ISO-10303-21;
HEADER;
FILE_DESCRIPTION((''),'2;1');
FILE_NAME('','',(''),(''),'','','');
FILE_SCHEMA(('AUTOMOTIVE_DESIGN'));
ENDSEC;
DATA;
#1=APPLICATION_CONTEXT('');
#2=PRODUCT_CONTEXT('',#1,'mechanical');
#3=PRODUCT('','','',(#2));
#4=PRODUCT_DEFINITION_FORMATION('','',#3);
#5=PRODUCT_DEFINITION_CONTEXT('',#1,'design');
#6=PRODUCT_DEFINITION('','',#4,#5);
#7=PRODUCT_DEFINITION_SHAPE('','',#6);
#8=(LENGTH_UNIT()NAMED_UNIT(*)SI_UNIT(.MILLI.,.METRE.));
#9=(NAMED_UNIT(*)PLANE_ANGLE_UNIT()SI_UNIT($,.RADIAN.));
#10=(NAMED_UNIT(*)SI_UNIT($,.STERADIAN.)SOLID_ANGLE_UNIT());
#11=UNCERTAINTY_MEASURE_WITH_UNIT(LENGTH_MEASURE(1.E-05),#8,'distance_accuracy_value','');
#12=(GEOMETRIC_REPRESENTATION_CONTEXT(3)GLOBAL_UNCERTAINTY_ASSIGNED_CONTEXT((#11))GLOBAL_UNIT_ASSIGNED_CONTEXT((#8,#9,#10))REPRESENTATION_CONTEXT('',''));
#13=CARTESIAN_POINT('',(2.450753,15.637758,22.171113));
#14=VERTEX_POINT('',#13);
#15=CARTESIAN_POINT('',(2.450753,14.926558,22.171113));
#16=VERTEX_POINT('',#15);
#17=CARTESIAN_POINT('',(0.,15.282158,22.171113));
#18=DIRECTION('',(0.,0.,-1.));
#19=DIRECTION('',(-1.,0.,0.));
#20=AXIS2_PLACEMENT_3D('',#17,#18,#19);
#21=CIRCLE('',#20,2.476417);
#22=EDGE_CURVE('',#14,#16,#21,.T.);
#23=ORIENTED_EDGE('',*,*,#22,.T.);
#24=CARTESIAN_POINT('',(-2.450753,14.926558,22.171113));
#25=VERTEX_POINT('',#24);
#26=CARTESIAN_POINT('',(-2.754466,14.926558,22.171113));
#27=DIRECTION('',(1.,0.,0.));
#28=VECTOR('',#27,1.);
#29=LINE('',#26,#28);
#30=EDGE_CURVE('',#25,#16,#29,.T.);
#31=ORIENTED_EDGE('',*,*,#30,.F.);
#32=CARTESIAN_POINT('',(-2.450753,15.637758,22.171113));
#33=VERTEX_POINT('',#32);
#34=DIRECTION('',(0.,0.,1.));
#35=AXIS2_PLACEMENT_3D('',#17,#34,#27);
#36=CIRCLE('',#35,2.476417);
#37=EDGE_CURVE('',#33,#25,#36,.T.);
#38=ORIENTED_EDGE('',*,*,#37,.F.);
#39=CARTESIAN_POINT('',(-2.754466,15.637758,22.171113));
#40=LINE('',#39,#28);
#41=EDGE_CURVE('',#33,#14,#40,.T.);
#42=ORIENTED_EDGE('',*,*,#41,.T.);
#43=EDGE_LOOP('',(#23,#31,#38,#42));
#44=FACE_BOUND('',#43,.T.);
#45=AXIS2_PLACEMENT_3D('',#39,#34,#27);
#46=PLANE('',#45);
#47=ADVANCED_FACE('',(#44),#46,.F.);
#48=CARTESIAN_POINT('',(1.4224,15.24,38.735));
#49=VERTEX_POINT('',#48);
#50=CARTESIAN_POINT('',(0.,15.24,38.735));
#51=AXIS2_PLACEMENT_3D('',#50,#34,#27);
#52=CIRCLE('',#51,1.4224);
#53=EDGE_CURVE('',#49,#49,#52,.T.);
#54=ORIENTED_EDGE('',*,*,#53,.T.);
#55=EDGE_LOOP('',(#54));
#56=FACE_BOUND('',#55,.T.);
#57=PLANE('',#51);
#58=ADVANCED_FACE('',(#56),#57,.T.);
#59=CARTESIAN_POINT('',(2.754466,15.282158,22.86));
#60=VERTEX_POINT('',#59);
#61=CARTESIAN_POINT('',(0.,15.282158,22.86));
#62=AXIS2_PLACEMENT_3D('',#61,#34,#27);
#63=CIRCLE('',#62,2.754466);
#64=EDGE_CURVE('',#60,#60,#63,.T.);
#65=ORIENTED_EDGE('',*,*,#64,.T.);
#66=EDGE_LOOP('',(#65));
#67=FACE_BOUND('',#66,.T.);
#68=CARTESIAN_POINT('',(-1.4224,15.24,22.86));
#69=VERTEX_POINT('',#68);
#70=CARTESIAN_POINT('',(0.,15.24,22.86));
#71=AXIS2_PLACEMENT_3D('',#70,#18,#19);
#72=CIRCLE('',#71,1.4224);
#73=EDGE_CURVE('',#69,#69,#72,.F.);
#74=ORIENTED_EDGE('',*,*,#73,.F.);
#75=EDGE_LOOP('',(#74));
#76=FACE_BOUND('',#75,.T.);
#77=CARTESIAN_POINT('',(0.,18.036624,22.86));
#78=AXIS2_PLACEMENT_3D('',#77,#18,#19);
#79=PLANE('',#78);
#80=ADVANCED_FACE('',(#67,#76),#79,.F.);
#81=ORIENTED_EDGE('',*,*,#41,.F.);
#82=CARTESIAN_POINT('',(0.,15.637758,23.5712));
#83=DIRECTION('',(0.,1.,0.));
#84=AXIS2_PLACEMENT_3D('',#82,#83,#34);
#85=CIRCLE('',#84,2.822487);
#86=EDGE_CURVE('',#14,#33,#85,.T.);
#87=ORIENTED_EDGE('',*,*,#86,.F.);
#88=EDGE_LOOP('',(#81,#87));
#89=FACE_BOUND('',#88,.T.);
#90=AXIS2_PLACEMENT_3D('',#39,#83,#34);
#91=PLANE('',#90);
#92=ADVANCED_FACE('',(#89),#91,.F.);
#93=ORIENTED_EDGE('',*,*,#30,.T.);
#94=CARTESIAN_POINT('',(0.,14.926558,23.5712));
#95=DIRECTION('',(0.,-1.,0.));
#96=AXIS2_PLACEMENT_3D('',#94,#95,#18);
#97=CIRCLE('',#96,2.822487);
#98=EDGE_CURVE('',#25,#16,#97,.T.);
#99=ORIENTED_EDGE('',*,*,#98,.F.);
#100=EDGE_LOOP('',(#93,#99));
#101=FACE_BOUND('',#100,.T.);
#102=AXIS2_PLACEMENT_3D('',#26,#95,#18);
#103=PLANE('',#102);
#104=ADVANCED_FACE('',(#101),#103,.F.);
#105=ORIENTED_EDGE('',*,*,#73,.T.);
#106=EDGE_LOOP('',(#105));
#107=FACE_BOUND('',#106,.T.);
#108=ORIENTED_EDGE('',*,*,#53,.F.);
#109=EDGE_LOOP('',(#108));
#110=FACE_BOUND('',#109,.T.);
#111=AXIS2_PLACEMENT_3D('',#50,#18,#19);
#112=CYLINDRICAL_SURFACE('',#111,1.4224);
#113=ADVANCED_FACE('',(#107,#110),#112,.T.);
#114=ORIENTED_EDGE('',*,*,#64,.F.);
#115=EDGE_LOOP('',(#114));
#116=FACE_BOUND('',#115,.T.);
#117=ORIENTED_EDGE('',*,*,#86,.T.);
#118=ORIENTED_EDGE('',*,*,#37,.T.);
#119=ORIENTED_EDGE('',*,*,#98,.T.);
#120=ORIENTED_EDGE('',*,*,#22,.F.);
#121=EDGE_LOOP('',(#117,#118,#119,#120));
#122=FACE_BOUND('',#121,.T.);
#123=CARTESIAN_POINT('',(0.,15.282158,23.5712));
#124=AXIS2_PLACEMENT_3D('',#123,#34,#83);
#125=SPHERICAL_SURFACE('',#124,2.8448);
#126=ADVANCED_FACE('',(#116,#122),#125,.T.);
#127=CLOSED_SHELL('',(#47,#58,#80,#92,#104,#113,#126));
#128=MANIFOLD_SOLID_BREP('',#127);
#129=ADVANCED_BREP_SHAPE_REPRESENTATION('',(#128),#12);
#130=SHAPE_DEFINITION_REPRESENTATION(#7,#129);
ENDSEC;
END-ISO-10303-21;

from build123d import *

# Parameters (mm, degrees)
SKETCH2_R           = 1.4224
BOSS_EXTRUDE1_DEPTH = 15.875
CUT_EXTRUDE1_DEPTH  = 43.817135594


with BuildPart() as part:
    # Sketch1 → Base-Revolve (revolve)
    with BuildSketch(Plane(origin=(0, 0, 0), x_dir=(0, 0, -1), z_dir=(1, 0, 0))):
        with BuildLine():
            Line((-22.86, 15.282157927), (-20.7264, 15.282157927))
            ThreePointArc((-20.7264, 15.282157927), (-21.322188128, 17.024235032), (-22.86, 18.036623683))
            Line((-22.86, 18.036623683), (-22.86, 15.282157927))
        make_face()
    revolve(axis=Axis((0, 15.282157927, 28.59405), (0, 0, -1)))

    # Sketch2 → Boss-Extrude1 (add)
    with BuildSketch(Plane.XY.offset(22.86)):
        with Locations(Location((0, 15.24, 0), (0, 0, 180))):
            Circle(SKETCH2_R)
    extrude(amount=BOSS_EXTRUDE1_DEPTH)

    # Sketch4 → Cut-Extrude1 (cut, through all)
    with BuildSketch(Plane(origin=(0, 0, 0), x_dir=(0, 0, -1), z_dir=(1, 0, 0))):
        with BuildLine():
            Line((-22.171112501, 14.926557927), (-20.748712501, 14.926557927))
            ThreePointArc((-20.748712501, 14.926557927), (-20.7264, 15.282157927), (-20.748712501, 15.637757927))
            Line((-20.748712501, 15.637757927), (-22.171112501, 15.637757927))
            Line((-22.171112501, 15.637757927), (-22.171112501, 14.926557927))
        make_face()
    cut_extrude1 = extrude(amount=-CUT_EXTRUDE1_DEPTH, mode=Mode.SUBTRACT)

    # Mirror1: Cut-Extrude1 across plane
    add(cut_extrude1.mirror(Plane(origin=(0, 15.282157927, 23.5712), x_dir=(0, 0, 1), z_dir=(1, 0, 0))), mode=Mode.SUBTRACT)


solid = part.part
